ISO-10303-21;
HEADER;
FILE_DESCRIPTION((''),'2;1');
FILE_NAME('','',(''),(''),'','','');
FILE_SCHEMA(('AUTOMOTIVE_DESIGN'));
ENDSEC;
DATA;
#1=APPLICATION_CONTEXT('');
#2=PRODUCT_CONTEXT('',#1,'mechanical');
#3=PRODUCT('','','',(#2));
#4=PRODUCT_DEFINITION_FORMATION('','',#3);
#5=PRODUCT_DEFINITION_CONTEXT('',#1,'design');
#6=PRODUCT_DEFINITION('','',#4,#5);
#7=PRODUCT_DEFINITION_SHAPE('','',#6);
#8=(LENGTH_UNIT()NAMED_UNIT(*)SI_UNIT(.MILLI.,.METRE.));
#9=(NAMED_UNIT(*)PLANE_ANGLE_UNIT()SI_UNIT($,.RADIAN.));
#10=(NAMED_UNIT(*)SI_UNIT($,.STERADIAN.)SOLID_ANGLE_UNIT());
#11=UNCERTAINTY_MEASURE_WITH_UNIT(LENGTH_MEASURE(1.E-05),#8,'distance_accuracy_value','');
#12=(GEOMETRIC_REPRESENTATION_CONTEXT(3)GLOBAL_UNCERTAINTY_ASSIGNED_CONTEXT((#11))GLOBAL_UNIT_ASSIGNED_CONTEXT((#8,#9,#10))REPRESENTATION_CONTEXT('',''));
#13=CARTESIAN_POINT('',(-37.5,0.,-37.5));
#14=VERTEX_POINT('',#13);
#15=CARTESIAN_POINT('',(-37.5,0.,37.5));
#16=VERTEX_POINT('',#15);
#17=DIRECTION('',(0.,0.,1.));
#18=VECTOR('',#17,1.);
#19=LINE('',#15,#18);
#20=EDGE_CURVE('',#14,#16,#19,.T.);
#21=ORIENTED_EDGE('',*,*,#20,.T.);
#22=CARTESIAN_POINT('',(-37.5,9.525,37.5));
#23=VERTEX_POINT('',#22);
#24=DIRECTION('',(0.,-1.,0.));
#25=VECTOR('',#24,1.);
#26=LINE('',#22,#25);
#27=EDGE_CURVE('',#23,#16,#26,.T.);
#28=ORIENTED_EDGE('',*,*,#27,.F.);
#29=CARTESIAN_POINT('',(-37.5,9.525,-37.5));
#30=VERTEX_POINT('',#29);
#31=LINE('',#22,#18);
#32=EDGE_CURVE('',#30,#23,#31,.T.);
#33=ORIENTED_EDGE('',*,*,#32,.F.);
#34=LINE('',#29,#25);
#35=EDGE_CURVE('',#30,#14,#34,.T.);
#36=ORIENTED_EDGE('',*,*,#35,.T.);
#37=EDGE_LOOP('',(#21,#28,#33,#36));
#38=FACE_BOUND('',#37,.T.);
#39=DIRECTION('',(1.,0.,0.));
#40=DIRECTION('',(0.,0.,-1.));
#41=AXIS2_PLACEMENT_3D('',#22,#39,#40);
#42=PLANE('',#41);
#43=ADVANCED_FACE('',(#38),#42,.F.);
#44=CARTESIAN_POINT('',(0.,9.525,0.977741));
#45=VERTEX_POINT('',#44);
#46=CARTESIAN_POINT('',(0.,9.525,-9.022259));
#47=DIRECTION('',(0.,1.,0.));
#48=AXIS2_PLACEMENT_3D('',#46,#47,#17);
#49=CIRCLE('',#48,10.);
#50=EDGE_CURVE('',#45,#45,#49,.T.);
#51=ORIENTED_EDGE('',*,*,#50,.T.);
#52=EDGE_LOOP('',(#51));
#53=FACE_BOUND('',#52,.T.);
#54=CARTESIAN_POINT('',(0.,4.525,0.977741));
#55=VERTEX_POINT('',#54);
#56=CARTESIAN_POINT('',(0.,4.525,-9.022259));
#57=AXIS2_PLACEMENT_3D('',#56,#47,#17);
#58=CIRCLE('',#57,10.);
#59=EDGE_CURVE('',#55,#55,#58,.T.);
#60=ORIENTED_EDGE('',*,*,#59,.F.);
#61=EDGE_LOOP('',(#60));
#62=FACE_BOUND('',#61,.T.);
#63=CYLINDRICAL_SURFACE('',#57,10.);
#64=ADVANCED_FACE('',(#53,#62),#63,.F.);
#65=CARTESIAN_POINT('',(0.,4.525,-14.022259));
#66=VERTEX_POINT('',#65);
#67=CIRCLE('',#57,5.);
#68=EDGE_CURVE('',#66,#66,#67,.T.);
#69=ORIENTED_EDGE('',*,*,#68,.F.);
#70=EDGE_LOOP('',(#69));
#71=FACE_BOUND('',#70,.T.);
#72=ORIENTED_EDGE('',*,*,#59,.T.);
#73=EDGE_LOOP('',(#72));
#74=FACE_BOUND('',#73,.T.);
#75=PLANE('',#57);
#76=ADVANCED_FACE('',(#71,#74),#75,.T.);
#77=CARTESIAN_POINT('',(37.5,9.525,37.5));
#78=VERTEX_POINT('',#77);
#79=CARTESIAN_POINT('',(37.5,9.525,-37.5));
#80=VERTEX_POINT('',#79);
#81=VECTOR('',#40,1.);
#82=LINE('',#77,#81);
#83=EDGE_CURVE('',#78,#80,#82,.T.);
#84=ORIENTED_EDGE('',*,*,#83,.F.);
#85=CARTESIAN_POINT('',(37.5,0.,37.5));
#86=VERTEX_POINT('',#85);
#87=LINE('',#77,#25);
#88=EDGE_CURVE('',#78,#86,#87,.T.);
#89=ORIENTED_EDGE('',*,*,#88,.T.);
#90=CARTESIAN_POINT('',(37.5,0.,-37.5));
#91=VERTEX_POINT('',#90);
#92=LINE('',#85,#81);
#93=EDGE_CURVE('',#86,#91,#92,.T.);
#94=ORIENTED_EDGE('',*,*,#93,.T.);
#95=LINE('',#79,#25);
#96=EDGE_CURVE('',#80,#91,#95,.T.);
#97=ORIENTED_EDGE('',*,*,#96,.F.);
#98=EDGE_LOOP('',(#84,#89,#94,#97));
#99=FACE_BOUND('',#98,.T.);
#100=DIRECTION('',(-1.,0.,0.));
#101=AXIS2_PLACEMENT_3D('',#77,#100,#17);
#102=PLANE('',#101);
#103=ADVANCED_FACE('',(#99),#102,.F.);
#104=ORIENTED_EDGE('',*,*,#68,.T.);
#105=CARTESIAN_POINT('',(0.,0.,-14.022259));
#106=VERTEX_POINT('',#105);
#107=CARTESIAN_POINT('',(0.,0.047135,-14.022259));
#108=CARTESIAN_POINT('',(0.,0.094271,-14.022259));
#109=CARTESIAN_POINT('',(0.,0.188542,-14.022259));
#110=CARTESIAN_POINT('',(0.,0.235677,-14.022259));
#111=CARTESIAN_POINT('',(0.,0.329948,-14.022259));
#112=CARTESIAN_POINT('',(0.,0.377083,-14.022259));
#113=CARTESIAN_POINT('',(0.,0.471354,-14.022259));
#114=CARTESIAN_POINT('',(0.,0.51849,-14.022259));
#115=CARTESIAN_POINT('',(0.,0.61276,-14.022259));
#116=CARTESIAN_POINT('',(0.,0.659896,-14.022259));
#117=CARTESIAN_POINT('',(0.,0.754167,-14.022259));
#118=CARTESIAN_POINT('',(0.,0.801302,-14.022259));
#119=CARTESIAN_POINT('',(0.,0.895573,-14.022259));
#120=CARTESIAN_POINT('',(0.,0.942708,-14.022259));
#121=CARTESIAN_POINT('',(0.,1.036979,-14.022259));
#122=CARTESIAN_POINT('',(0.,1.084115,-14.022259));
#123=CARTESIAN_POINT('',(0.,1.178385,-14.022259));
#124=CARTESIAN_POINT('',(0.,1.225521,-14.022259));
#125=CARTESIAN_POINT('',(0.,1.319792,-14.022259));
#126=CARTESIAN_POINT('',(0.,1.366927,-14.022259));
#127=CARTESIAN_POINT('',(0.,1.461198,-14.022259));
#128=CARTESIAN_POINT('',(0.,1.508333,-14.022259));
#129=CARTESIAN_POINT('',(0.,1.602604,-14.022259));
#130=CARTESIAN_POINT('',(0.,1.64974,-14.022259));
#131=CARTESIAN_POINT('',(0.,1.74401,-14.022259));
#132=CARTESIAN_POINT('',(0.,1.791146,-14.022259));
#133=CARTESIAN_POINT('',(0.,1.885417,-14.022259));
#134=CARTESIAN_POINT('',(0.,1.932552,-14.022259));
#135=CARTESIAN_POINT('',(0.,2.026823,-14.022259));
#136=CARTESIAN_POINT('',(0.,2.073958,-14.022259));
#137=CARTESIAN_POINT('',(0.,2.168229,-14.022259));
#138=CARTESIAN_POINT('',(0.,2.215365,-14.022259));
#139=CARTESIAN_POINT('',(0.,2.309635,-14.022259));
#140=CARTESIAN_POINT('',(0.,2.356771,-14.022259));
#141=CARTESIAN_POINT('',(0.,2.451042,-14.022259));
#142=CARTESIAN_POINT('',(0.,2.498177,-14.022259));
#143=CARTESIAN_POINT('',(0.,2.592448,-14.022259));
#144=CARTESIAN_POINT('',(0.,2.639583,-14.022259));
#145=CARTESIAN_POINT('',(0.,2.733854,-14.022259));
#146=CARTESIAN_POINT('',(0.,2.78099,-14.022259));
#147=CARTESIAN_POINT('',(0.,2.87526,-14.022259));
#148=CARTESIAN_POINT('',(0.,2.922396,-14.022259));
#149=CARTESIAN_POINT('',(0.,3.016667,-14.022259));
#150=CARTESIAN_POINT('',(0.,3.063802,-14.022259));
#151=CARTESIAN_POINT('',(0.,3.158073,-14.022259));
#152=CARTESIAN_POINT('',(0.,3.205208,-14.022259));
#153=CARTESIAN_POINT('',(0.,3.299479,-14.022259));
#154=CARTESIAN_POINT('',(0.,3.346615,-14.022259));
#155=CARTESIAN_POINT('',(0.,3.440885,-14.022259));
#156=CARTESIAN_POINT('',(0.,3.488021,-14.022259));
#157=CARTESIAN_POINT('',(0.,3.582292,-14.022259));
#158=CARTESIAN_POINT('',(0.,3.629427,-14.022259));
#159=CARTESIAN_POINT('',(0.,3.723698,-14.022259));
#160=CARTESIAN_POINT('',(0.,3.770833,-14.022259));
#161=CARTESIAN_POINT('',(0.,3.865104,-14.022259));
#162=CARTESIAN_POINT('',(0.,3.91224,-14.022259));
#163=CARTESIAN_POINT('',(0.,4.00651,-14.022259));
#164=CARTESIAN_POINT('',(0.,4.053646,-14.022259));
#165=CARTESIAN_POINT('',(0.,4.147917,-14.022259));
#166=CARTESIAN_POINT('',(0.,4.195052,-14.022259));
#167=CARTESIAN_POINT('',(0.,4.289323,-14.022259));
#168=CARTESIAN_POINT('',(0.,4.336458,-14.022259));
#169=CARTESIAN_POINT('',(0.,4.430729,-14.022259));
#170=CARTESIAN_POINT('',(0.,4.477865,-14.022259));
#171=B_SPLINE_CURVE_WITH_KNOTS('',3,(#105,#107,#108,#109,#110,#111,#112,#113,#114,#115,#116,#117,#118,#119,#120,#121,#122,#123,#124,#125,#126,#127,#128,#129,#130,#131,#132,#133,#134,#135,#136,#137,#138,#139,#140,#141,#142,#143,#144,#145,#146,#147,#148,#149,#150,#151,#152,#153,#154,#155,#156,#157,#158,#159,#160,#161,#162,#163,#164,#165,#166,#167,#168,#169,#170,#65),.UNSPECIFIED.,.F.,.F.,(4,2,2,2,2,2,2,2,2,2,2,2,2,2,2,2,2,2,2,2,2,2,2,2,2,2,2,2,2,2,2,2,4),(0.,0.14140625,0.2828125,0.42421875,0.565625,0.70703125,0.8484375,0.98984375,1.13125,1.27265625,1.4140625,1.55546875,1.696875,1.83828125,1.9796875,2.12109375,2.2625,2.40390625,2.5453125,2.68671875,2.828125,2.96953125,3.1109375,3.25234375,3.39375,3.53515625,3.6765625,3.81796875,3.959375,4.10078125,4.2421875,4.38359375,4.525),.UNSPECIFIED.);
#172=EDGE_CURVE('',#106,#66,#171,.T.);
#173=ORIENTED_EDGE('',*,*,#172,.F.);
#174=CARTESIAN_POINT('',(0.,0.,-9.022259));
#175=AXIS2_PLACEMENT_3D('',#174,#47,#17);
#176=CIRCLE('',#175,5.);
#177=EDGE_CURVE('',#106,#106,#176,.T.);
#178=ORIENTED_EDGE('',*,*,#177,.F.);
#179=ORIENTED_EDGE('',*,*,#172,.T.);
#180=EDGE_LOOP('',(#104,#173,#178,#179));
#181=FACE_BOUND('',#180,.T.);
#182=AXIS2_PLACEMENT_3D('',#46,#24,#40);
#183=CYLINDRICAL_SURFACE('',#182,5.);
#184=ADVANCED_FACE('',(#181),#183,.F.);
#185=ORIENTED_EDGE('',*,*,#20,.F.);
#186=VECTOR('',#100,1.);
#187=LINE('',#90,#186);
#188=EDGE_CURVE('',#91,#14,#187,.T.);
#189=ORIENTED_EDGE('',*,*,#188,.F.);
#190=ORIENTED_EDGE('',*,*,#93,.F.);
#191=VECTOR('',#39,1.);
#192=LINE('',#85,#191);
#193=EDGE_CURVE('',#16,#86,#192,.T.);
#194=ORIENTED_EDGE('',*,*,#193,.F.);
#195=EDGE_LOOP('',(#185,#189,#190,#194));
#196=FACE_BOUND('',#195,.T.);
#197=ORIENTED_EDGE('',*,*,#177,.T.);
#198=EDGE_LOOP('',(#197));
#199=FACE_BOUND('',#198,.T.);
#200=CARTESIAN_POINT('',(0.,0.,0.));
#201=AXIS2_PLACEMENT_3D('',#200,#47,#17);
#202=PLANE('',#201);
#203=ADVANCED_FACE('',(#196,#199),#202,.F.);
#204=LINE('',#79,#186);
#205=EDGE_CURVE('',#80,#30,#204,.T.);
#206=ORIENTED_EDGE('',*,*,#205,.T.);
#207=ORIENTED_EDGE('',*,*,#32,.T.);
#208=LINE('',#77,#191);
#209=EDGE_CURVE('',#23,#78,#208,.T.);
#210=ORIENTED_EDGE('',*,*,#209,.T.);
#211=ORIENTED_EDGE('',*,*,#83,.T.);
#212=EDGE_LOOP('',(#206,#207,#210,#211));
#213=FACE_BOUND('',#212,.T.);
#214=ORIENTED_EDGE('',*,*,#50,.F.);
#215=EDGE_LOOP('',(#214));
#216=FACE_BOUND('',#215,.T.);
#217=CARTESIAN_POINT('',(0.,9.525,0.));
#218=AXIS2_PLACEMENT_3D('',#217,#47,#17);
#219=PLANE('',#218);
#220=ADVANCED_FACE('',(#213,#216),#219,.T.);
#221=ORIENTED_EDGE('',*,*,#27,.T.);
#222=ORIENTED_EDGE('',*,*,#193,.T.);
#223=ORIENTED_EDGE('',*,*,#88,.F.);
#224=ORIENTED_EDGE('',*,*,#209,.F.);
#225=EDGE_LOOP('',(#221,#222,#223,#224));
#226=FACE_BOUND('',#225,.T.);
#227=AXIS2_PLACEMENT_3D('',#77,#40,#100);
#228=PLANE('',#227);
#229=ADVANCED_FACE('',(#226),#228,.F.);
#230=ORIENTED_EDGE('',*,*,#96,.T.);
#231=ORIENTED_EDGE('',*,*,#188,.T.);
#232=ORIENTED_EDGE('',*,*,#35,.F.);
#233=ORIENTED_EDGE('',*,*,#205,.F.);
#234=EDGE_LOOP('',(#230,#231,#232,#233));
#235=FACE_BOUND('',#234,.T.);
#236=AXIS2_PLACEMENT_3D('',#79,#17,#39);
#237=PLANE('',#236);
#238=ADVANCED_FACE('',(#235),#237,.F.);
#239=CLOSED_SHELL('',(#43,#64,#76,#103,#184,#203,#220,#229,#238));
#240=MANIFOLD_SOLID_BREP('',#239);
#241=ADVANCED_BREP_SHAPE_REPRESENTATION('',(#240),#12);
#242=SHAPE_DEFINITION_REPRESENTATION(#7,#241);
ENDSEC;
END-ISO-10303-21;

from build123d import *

# Parameters (mm, degrees)
CROQUIS1_W              = 75
CROQUIS1_H              = 75
CROQUIS1_R              = 5
SALIENTE_EXTRUIR1_DEPTH = 9.525
CROQUIS2_R              = 10
CORTAR_EXTRUIR1_DEPTH   = 5


with BuildPart() as part:
    # Croquis1 → Saliente-Extruir1 (new body)
    with BuildSketch(Plane(origin=(0, 0, 0), x_dir=(1, 0, 0), z_dir=(0, 1, 0))):
        Rectangle(CROQUIS1_W, CROQUIS1_H)
        with Locations(Location((0, 9.022258823, 0), (0, 0, 90))):
            Circle(CROQUIS1_R, mode=Mode.SUBTRACT)
    extrude(amount=SALIENTE_EXTRUIR1_DEPTH)

    # Croquis2 → Cortar-Extruir1 (cut)
    with BuildSketch(Plane(origin=(0, 9.525, 0), x_dir=(1, 0, 0), z_dir=(0, 1, 0))):
        with Locations(Location((0, 9.022258823, 0), (0, 0, 270))):
            Circle(CROQUIS2_R)
    extrude(amount=-CORTAR_EXTRUIR1_DEPTH, mode=Mode.SUBTRACT)


solid = part.part
